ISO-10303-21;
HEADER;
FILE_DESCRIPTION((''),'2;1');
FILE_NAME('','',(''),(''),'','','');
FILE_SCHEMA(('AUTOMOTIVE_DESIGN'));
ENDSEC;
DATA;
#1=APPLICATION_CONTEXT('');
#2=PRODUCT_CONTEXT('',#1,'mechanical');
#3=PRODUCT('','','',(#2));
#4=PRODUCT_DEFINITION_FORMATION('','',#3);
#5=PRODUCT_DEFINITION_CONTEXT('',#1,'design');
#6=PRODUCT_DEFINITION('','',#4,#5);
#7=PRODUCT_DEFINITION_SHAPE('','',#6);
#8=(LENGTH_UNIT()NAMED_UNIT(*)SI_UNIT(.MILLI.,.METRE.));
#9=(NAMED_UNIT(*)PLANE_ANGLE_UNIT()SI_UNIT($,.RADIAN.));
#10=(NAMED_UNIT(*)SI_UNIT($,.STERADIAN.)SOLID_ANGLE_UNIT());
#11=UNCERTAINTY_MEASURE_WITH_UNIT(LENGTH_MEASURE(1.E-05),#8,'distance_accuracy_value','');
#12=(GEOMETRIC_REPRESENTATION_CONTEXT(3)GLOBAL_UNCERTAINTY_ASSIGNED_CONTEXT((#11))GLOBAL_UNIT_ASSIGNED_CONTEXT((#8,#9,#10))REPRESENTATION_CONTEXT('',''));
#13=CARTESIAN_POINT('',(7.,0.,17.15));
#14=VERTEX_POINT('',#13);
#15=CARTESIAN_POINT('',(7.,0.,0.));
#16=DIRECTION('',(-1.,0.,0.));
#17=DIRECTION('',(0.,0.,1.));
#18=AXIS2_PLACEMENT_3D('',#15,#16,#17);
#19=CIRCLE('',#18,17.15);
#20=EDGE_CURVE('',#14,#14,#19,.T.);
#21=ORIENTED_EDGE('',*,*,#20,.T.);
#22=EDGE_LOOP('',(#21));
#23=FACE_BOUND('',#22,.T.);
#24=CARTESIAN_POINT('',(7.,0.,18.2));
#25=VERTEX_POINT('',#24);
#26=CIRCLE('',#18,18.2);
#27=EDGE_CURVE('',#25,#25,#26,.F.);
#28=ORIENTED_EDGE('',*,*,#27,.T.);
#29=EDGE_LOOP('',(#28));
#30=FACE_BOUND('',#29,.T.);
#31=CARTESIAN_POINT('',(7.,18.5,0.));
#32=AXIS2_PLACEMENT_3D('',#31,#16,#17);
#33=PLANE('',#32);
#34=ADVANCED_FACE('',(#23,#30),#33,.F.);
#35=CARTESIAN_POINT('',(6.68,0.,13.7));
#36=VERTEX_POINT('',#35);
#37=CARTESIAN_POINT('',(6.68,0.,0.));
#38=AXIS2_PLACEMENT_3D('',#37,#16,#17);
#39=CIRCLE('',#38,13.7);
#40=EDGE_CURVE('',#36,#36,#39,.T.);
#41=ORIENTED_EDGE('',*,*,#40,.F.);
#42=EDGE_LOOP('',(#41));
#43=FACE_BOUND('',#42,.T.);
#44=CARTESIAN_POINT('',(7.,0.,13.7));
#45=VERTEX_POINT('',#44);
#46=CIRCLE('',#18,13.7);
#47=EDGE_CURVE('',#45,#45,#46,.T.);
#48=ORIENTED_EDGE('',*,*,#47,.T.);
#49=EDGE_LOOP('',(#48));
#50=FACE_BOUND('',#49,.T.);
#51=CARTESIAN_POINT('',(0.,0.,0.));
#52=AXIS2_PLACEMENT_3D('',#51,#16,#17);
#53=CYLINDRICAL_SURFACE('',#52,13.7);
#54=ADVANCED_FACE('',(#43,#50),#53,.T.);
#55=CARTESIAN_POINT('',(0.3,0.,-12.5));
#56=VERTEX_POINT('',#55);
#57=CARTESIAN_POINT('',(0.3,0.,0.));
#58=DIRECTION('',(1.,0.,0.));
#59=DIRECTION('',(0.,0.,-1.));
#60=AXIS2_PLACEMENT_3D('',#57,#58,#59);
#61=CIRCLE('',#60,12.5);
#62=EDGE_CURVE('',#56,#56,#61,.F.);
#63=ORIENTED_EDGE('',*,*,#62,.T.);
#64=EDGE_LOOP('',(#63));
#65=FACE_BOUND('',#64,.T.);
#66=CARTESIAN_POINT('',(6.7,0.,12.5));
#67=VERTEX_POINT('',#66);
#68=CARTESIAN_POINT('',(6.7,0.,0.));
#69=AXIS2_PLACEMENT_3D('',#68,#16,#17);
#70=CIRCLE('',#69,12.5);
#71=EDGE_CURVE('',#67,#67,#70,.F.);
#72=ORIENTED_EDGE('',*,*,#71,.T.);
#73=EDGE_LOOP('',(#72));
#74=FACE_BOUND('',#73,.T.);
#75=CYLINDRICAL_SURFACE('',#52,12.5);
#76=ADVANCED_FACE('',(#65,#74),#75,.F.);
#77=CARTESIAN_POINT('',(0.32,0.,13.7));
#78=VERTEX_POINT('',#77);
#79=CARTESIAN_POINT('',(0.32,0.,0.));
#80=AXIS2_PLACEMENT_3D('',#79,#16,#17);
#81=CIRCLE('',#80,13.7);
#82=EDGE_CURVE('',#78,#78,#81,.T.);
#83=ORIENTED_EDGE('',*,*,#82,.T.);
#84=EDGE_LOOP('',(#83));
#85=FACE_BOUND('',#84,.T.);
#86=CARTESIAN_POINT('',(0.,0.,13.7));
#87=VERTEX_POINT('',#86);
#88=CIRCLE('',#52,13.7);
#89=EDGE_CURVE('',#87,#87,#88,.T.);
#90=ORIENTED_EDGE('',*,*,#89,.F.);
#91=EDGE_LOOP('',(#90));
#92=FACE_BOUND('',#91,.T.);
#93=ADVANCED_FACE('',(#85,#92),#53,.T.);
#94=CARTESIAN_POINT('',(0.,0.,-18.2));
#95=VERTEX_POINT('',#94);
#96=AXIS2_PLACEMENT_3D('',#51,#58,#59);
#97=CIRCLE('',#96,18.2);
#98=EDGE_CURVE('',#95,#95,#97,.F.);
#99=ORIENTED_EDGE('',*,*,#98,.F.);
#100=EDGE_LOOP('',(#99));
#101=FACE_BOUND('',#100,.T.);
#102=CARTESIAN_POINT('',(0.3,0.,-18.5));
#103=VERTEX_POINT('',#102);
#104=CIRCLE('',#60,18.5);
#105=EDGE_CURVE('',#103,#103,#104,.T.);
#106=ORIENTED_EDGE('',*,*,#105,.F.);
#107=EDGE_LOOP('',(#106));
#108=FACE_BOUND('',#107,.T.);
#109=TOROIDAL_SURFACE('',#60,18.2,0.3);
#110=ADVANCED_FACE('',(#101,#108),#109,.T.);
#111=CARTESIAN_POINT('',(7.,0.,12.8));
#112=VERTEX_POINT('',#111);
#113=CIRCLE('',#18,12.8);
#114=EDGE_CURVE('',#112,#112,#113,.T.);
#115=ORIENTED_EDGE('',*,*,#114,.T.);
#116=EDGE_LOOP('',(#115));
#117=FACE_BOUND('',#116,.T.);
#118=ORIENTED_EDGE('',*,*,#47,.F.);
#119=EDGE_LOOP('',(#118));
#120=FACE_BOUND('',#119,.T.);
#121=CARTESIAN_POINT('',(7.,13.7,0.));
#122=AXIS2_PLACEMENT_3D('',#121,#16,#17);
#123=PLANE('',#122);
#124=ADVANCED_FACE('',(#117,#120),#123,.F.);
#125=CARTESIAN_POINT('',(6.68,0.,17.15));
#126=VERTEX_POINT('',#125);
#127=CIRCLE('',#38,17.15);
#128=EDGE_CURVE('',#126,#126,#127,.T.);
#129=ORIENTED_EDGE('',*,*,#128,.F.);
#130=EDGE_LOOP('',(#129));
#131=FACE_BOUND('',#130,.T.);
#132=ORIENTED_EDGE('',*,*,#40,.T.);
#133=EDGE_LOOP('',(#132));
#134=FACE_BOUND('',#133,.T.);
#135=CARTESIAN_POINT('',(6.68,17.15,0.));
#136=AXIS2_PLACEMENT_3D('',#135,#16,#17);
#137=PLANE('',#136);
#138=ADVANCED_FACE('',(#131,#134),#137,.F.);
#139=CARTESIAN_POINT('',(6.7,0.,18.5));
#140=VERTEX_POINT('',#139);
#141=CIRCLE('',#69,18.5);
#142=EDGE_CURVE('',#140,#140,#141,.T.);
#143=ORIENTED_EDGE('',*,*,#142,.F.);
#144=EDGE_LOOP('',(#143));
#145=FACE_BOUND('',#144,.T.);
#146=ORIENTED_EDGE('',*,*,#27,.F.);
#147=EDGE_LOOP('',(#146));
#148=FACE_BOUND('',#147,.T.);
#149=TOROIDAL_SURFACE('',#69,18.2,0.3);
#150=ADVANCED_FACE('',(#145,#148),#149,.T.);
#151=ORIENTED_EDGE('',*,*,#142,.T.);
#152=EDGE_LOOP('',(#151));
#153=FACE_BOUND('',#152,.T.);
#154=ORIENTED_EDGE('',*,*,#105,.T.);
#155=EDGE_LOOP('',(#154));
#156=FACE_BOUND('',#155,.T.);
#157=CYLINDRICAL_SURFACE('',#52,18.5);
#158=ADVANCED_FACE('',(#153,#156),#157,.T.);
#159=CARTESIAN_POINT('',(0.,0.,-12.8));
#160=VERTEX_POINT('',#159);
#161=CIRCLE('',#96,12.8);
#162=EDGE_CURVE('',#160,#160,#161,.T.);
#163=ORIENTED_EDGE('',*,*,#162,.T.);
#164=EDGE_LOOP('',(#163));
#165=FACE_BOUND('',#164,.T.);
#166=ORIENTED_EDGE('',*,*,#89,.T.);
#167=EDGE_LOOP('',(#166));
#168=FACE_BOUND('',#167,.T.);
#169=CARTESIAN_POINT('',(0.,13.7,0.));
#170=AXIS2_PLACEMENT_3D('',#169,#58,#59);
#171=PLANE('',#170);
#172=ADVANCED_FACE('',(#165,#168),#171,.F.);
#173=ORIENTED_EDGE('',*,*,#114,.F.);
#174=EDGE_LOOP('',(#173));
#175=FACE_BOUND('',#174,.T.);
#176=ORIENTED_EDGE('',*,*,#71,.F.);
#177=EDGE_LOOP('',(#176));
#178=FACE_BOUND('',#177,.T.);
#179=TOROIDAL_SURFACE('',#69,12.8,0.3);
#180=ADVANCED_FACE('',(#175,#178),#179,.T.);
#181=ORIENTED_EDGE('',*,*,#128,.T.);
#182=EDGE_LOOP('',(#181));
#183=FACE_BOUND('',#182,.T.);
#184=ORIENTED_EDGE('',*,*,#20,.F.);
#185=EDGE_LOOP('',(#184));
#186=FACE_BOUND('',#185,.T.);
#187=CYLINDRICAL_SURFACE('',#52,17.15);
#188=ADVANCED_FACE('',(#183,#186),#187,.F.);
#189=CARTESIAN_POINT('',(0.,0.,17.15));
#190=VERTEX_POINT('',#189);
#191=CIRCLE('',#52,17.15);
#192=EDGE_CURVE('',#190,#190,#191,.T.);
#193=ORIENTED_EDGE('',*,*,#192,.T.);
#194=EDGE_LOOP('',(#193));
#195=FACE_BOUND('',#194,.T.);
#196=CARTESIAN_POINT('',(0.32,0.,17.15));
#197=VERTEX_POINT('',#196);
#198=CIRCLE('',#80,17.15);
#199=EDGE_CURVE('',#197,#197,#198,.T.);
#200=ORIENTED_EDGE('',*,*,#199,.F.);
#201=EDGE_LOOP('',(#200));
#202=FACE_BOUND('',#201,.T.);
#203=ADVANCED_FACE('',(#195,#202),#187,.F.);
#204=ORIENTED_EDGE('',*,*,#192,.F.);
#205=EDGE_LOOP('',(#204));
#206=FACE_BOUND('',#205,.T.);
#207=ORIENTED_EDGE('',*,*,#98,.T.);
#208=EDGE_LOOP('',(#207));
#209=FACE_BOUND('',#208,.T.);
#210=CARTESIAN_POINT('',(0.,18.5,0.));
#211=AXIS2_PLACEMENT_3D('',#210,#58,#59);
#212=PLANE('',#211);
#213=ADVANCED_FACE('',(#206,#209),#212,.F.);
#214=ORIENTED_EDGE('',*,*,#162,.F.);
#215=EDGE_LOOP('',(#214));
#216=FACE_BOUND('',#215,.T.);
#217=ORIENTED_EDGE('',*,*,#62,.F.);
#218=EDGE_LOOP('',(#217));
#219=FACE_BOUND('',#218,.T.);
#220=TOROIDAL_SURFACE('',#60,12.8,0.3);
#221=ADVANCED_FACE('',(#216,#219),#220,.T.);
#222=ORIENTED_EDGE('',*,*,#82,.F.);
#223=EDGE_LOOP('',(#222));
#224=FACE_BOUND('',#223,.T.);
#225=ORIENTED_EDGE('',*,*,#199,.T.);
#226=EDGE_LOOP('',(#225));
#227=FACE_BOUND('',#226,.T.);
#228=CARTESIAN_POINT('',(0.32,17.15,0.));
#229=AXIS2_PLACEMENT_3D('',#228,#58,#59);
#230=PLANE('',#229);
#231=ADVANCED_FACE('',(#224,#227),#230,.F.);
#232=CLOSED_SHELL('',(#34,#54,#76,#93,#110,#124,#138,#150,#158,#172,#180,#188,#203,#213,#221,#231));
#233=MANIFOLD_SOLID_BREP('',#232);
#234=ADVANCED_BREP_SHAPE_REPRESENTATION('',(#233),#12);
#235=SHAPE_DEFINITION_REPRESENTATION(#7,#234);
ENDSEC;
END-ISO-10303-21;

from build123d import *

# Parameters (mm, degrees)
FILLET1_R = 0.3
FILLET2_R = 0.3


with BuildPart() as part:
    # Sketch1 → Revolve1 (revolve)
    with BuildSketch(Plane.XY, mode=Mode.PRIVATE) as revolve1_sk:
        Polygon((0, 12.5), (7, 12.5), (7, 13.7), (6.68, 13.7), (6.68, 17.15), (7, 17.15), (7, 18.5), (0, 18.5), (0, 17.15), (0.32, 17.15), (0.32, 13.7), (0, 13.7), align=None)
    revolve(revolve1_sk.sketch.rotate(Axis((0, 0, 0), (1, 0, 0)), 90), axis=Axis((0, 0, 0), (1, 0, 0)))

    # Fillet1
    fillet1_edges = [part.edges().sort_by_distance(p)[0] for p in [
        (0, 0, -18.5),
        (7, 0, -18.5),
    ]]
    fillet(fillet1_edges, radius=FILLET1_R)

    # Fillet2
    fillet2_edges = [part.edges().sort_by_distance(p)[0] for p in [
        (7, 0, -12.5),
        (0, 0, -12.5),
    ]]
    fillet(fillet2_edges, radius=FILLET2_R)


solid = part.part
